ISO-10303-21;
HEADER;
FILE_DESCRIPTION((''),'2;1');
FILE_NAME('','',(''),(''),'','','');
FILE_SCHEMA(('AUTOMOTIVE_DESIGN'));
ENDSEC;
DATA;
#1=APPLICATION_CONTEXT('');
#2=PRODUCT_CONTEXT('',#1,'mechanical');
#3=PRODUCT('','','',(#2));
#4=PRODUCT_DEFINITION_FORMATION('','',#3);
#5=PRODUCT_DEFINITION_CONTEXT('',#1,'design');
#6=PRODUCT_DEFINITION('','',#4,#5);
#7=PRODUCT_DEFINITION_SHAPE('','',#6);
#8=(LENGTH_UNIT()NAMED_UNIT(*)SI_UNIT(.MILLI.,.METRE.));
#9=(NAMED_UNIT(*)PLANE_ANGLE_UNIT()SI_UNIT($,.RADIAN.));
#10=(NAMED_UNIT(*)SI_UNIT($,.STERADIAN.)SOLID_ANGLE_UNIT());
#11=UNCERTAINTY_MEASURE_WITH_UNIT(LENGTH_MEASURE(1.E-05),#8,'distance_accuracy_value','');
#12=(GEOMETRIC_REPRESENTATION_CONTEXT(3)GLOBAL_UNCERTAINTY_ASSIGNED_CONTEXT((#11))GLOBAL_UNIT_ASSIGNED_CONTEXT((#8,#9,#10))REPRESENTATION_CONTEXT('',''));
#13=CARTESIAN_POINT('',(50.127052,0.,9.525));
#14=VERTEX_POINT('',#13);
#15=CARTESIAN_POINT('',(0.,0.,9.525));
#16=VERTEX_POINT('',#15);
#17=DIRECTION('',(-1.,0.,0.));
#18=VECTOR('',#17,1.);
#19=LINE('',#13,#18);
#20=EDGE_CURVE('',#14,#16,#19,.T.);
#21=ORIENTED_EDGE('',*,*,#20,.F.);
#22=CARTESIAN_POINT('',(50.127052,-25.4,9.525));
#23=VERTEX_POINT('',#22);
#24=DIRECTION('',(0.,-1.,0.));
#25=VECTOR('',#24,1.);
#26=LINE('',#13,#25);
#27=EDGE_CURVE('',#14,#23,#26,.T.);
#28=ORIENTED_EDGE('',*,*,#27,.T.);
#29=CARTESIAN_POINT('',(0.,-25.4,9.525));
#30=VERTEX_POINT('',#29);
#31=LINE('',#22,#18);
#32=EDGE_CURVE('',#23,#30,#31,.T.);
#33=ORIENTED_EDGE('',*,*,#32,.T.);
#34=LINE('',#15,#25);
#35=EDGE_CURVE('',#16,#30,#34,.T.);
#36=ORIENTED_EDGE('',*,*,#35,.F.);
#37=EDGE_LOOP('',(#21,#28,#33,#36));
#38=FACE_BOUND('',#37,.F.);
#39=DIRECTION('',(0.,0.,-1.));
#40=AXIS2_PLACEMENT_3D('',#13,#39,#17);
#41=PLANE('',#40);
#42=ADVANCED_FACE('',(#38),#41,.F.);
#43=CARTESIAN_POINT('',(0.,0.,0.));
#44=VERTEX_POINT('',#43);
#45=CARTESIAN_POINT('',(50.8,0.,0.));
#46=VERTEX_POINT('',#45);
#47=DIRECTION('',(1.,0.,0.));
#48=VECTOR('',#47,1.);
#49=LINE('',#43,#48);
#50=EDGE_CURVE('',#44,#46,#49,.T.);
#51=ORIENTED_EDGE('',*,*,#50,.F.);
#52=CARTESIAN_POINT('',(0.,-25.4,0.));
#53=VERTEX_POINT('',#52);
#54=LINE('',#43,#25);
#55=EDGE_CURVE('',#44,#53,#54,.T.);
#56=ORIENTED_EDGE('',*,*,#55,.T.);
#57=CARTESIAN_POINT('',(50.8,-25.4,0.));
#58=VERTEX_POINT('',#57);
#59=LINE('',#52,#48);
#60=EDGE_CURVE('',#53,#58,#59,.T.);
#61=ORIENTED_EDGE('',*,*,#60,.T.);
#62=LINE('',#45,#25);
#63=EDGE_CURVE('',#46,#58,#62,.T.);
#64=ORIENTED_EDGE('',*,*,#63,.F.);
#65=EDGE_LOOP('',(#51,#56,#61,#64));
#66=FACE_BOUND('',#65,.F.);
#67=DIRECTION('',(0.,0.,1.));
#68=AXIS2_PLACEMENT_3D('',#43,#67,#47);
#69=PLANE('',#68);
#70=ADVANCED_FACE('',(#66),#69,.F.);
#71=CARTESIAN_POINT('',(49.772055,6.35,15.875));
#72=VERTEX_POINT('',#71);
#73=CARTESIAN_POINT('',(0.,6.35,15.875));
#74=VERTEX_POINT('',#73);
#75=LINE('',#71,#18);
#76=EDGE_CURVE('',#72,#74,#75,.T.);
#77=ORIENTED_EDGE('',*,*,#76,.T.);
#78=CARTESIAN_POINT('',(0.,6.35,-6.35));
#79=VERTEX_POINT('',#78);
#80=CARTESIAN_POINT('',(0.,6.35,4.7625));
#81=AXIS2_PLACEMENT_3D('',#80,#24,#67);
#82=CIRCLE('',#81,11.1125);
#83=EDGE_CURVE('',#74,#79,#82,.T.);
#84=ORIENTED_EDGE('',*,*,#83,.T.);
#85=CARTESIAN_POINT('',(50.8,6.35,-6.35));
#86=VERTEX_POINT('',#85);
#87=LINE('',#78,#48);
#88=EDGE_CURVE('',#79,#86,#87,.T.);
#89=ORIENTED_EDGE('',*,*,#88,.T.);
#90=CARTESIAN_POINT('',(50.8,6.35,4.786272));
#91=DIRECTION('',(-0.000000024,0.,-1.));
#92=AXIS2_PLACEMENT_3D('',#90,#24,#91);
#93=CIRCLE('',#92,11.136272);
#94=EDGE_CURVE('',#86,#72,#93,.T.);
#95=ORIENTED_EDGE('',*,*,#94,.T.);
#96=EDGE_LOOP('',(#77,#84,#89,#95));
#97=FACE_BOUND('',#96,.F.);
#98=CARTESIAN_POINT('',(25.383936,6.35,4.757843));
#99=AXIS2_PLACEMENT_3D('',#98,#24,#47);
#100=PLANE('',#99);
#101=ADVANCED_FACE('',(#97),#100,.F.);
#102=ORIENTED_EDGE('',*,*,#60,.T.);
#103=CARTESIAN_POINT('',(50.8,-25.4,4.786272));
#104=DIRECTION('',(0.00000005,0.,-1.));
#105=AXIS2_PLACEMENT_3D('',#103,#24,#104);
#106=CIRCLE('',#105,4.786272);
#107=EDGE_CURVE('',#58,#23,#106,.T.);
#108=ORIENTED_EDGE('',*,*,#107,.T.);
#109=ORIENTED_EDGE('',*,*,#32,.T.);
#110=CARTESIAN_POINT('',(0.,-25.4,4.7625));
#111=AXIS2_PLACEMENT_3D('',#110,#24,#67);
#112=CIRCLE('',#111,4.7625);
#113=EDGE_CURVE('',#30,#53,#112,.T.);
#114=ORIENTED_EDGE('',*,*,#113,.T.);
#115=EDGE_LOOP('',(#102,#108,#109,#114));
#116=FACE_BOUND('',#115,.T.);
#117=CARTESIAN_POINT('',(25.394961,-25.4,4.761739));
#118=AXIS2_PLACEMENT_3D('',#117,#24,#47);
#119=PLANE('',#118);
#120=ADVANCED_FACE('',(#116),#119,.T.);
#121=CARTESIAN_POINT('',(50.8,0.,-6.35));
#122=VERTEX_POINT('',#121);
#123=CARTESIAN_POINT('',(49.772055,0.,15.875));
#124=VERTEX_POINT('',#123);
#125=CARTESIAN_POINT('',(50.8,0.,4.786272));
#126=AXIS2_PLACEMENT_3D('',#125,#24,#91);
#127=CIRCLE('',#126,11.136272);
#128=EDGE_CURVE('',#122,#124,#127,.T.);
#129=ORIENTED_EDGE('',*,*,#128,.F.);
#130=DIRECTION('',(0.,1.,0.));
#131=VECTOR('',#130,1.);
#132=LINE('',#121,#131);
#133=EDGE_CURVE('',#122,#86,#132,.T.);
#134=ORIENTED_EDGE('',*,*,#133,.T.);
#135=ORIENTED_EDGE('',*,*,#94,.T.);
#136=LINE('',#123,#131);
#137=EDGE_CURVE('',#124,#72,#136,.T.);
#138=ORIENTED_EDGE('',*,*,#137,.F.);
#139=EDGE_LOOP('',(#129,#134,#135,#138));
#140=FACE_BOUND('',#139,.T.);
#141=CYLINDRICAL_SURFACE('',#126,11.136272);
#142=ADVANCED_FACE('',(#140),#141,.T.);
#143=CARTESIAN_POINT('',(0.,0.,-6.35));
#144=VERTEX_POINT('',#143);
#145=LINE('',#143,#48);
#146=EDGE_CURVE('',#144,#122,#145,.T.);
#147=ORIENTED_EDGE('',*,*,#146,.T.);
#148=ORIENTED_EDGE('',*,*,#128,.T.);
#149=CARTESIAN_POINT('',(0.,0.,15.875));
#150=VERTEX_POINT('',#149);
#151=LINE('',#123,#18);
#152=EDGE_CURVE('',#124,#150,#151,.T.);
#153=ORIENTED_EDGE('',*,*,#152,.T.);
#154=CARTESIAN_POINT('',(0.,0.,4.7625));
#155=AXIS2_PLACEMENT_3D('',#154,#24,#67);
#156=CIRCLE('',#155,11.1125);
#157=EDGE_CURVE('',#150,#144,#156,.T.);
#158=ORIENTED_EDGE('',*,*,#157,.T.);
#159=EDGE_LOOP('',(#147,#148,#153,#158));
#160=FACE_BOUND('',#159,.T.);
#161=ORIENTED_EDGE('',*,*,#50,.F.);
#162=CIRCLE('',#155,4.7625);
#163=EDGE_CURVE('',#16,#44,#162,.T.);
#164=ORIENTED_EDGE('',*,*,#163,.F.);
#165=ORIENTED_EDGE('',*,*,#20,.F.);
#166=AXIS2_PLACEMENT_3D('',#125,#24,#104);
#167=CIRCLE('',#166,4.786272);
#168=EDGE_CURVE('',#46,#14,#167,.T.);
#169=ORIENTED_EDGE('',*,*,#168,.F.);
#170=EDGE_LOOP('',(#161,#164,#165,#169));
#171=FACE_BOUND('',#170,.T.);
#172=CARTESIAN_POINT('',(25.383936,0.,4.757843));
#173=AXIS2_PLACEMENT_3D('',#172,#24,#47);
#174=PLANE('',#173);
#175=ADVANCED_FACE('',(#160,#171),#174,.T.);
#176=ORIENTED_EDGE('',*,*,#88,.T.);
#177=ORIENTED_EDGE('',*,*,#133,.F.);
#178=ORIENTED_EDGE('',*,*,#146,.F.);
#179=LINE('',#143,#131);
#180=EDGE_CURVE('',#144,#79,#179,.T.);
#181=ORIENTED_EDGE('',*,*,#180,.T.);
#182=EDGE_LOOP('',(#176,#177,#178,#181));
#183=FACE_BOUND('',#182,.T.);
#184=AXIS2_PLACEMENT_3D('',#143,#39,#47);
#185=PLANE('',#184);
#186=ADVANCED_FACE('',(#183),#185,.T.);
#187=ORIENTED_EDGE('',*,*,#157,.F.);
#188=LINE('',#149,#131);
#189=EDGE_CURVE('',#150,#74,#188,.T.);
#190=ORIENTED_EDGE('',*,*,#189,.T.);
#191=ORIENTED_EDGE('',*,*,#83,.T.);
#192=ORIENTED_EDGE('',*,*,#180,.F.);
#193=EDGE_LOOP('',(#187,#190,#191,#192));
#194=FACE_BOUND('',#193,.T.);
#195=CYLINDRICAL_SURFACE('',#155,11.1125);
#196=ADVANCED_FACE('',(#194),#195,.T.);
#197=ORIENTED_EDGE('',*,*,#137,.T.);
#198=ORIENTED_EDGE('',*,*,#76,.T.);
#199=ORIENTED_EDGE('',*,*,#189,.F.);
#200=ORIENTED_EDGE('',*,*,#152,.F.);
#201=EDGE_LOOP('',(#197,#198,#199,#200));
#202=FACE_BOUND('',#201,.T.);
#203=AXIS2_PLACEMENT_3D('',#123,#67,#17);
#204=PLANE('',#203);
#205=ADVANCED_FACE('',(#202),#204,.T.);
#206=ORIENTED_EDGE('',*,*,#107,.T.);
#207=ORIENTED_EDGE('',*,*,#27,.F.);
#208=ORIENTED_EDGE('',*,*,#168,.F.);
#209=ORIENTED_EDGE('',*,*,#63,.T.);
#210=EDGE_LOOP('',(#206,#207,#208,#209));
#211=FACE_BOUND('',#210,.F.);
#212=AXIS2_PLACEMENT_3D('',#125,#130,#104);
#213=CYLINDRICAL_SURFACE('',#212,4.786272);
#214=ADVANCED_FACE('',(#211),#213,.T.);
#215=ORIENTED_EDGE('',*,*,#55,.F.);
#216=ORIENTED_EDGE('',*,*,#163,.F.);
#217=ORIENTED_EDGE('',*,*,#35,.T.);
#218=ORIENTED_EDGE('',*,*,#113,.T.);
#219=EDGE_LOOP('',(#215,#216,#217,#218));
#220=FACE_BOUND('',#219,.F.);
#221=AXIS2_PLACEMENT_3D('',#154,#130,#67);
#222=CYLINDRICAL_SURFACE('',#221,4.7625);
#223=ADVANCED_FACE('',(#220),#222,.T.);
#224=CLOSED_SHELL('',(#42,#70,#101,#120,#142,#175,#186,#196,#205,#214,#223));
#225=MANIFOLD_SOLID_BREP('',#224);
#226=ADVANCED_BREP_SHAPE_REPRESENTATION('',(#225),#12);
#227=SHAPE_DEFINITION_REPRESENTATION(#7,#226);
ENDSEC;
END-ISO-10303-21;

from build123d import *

# Parameters (mm, degrees)
F1_DEPTH = 25.4
F2_DEPTH = 6.35
F3_DEPTH = 6.35


with BuildPart() as f1:
    # F0 (on Front) → F1 (new body)
    with BuildSketch(Plane.XZ):
        with BuildLine():
            ThreePointArc((0, 9.525), (-4.7625, 4.7625), (0, 0))
            Line((0, 0), (50.8, 0))
            ThreePointArc((50.8, 0), (55.574371, 5.123585), (50.127052, 9.525))
            Line((50.127052, 9.525), (0, 9.525))
        make_face()
    extrude(amount=F1_DEPTH)

    # F0 (on Front) → F2 (cut)
    with BuildSketch(Plane.XZ):
        with BuildLine():
            ThreePointArc((0, 15.875), (-11.1125, 4.7625), (0, -6.35))
            Line((0, -6.35), (50.8, -6.35))
            ThreePointArc((50.8, -6.35), (61.92438, 5.300794), (49.772055, 15.875))
            Line((49.772055, 15.875), (0, 15.875))
        make_face()
        with BuildLine():
            Line((50.8, 0), (0, 0))
            ThreePointArc((0, 0), (-4.7625, 4.7625), (0, 9.525))
            Line((0, 9.525), (50.127052, 9.525))
            ThreePointArc((50.127052, 9.525), (55.574371, 5.123585), (50.8, 0))
        make_face(mode=Mode.SUBTRACT)
        with BuildLine():
            ThreePointArc((0, 9.525), (-4.7625, 4.7625), (0, 0))
            Line((0, 0), (50.8, 0))
            ThreePointArc((50.8, 0), (55.574371, 5.123585), (50.127052, 9.525))
            Line((50.127052, 9.525), (0, 9.525))
        make_face()
    extrude(amount=-F2_DEPTH, mode=Mode.SUBTRACT)

    # F0 (on Front) → F3 (join)
    with BuildSketch(Plane.XZ):
        with BuildLine():
            ThreePointArc((0, 15.875), (-11.1125, 4.7625), (0, -6.35))
            Line((0, -6.35), (50.8, -6.35))
            ThreePointArc((50.8, -6.35), (61.92438, 5.300794), (49.772055, 15.875))
            Line((49.772055, 15.875), (0, 15.875))
        make_face()
        with BuildLine():
            Line((50.8, 0), (0, 0))
            ThreePointArc((0, 0), (-4.7625, 4.7625), (0, 9.525))
            Line((0, 9.525), (50.127052, 9.525))
            ThreePointArc((50.127052, 9.525), (55.574371, 5.123585), (50.8, 0))
        make_face(mode=Mode.SUBTRACT)
        with BuildLine():
            ThreePointArc((0, 9.525), (-4.7625, 4.7625), (0, 0))
            Line((0, 0), (50.8, 0))
            ThreePointArc((50.8, 0), (55.574371, 5.123585), (50.127052, 9.525))
            Line((50.127052, 9.525), (0, 9.525))
        make_face()
    extrude(amount=-F3_DEPTH)


solid = f1.part
